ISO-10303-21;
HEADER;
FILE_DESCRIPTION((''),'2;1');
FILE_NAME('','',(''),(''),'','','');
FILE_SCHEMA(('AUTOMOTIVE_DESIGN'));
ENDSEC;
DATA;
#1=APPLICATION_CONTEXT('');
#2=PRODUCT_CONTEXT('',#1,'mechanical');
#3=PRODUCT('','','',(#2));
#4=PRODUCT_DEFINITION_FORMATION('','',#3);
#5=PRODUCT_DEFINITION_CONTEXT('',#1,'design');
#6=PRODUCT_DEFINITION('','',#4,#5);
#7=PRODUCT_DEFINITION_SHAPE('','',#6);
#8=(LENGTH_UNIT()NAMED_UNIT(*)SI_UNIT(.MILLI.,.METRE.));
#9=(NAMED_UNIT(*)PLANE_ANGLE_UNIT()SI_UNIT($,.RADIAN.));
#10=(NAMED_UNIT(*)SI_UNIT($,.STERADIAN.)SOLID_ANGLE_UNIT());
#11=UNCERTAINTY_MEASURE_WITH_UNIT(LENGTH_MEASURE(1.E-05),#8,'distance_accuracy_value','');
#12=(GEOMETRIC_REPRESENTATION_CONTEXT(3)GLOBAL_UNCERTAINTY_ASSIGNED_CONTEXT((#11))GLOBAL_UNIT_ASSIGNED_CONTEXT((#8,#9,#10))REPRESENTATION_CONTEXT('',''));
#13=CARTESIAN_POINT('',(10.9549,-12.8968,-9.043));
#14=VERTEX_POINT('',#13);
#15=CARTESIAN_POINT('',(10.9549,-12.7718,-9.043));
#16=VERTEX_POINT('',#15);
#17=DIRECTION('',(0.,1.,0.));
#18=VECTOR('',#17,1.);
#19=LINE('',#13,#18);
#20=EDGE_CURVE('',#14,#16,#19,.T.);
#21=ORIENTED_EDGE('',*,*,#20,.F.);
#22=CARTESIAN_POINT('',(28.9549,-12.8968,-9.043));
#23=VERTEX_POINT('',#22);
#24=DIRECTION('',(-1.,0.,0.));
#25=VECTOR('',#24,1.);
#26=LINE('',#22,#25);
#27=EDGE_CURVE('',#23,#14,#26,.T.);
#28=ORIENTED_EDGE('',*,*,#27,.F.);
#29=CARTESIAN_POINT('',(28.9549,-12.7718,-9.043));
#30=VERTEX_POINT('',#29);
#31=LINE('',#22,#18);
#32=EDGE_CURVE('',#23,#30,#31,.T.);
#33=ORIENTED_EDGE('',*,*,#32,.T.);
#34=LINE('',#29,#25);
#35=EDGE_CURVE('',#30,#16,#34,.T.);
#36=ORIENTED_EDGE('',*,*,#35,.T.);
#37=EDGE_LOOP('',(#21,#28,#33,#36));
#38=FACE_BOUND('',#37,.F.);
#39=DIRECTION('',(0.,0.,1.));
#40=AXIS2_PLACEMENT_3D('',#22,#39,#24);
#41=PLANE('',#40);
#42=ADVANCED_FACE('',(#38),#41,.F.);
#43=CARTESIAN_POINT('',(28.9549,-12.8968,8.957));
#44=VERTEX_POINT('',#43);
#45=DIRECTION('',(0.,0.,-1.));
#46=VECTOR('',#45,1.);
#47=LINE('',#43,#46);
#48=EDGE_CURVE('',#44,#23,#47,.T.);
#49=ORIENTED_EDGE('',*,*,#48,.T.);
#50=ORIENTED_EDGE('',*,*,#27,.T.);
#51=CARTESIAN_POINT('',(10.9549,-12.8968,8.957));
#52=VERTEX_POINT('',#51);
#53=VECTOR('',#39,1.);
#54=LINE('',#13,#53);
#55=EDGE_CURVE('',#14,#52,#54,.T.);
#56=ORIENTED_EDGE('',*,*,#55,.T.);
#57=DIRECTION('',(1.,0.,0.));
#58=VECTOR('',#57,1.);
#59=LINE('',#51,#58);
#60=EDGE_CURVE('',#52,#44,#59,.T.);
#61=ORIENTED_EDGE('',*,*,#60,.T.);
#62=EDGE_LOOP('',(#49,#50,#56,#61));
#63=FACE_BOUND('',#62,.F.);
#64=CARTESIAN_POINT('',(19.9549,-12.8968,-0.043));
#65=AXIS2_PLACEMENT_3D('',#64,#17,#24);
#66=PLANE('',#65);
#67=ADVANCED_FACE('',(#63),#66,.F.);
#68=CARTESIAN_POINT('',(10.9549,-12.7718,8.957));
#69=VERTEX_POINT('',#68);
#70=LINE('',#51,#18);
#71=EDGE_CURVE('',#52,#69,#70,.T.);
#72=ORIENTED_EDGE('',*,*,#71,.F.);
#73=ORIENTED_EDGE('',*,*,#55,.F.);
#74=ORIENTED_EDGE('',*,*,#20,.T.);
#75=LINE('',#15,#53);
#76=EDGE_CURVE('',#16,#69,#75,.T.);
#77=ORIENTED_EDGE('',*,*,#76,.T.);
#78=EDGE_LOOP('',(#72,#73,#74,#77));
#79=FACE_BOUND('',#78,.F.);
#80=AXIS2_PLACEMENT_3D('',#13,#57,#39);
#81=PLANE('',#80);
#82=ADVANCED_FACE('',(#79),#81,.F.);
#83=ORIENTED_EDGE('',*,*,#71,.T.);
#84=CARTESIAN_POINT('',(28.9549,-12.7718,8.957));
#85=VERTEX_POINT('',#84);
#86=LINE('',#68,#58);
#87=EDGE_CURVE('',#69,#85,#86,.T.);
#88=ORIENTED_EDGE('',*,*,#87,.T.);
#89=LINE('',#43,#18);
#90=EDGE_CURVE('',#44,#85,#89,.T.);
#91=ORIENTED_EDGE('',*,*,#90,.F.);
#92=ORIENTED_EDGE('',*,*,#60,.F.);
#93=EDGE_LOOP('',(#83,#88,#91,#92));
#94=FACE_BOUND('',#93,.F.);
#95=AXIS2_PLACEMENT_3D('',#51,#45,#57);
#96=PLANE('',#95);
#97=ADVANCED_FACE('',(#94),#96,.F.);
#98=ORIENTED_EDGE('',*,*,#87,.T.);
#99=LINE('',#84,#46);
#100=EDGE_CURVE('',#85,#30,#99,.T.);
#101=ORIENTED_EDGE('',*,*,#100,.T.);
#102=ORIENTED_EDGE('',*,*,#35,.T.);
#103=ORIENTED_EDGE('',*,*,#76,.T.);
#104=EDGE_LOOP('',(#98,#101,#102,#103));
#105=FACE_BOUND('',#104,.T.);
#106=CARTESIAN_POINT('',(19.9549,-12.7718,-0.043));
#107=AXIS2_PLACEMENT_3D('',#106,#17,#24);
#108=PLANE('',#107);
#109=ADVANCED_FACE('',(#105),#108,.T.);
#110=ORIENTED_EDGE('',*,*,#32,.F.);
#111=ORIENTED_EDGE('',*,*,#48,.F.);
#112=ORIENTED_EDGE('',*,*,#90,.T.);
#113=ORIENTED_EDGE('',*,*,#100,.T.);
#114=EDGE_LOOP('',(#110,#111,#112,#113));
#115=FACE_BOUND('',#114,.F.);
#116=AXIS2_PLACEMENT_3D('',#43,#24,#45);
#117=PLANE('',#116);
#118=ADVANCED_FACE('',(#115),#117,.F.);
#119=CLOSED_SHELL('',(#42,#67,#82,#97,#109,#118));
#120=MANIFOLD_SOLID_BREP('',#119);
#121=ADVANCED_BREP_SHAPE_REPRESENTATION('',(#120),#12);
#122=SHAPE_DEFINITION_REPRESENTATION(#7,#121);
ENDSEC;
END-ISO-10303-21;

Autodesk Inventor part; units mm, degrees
ref_plane "YZ Plane" through (0, 0, 0) normal (1, 0, 0) x (0, 1, 0)
ref_plane "XZ Plane" through (0, 0, 0) normal (0, 1, 0) x (-1, 0, 0)
ref_plane "XY Plane" through (0, 0, 0) normal (0, 0, 1) x (1, 0, 0)
ref_plane "Arbeitsebene1" through (19.9549, -12.8968, -0.043) normal (0, 1, 0) x (-1, 0, 0)
sketch "Skizze1" plane through (19.9549, -12.8968, -0.043) normal (0, 1, 0) x (-1, 0, 0)
  line L0 (9.25, 9.25) -> (-9.25, 9.25) projected
  line L1 (-9.25, 9.25) -> (-9.25, -9.25) projected
  line L2 (-9.25, -9.25) -> (9.25, -9.25) projected
  line L3 (9.25, -9.25) -> (9.25, 9.25) projected
  line L4 (8.5, 8.5) -> (8.5, -8.5) projected
  line L5 (8.5, -8.5) -> (-8.5, -8.5) projected
  line L6 (-8.5, -8.5) -> (-8.5, 8.5) projected
  line L7 (-8.5, 8.5) -> (8.5, 8.5) projected
  line L8 (-9, -9) -> (9, -9)
  line L9 (9, -9) -> (9, 9)
  line L10 (9, 9) -> (-9, 9)
  line L11 (-9, 9) -> (-9, -9)
  line L12 (-9, -9) -> (9, 9) construction
  line L13 (9, -9) -> (-9, 9) construction
  point P0 (19.9549, 0.043)
  point P1 (0, 0)
  dimension "d0" = 18
  dimension "d1" = 18
extrude "Extrusion1" add sketch "Skizze1" along normal blind 0.125 contours L4 L5 L6 L7 | L11 L10 L9 L8
properties part number "00_coverglass_18mm"
